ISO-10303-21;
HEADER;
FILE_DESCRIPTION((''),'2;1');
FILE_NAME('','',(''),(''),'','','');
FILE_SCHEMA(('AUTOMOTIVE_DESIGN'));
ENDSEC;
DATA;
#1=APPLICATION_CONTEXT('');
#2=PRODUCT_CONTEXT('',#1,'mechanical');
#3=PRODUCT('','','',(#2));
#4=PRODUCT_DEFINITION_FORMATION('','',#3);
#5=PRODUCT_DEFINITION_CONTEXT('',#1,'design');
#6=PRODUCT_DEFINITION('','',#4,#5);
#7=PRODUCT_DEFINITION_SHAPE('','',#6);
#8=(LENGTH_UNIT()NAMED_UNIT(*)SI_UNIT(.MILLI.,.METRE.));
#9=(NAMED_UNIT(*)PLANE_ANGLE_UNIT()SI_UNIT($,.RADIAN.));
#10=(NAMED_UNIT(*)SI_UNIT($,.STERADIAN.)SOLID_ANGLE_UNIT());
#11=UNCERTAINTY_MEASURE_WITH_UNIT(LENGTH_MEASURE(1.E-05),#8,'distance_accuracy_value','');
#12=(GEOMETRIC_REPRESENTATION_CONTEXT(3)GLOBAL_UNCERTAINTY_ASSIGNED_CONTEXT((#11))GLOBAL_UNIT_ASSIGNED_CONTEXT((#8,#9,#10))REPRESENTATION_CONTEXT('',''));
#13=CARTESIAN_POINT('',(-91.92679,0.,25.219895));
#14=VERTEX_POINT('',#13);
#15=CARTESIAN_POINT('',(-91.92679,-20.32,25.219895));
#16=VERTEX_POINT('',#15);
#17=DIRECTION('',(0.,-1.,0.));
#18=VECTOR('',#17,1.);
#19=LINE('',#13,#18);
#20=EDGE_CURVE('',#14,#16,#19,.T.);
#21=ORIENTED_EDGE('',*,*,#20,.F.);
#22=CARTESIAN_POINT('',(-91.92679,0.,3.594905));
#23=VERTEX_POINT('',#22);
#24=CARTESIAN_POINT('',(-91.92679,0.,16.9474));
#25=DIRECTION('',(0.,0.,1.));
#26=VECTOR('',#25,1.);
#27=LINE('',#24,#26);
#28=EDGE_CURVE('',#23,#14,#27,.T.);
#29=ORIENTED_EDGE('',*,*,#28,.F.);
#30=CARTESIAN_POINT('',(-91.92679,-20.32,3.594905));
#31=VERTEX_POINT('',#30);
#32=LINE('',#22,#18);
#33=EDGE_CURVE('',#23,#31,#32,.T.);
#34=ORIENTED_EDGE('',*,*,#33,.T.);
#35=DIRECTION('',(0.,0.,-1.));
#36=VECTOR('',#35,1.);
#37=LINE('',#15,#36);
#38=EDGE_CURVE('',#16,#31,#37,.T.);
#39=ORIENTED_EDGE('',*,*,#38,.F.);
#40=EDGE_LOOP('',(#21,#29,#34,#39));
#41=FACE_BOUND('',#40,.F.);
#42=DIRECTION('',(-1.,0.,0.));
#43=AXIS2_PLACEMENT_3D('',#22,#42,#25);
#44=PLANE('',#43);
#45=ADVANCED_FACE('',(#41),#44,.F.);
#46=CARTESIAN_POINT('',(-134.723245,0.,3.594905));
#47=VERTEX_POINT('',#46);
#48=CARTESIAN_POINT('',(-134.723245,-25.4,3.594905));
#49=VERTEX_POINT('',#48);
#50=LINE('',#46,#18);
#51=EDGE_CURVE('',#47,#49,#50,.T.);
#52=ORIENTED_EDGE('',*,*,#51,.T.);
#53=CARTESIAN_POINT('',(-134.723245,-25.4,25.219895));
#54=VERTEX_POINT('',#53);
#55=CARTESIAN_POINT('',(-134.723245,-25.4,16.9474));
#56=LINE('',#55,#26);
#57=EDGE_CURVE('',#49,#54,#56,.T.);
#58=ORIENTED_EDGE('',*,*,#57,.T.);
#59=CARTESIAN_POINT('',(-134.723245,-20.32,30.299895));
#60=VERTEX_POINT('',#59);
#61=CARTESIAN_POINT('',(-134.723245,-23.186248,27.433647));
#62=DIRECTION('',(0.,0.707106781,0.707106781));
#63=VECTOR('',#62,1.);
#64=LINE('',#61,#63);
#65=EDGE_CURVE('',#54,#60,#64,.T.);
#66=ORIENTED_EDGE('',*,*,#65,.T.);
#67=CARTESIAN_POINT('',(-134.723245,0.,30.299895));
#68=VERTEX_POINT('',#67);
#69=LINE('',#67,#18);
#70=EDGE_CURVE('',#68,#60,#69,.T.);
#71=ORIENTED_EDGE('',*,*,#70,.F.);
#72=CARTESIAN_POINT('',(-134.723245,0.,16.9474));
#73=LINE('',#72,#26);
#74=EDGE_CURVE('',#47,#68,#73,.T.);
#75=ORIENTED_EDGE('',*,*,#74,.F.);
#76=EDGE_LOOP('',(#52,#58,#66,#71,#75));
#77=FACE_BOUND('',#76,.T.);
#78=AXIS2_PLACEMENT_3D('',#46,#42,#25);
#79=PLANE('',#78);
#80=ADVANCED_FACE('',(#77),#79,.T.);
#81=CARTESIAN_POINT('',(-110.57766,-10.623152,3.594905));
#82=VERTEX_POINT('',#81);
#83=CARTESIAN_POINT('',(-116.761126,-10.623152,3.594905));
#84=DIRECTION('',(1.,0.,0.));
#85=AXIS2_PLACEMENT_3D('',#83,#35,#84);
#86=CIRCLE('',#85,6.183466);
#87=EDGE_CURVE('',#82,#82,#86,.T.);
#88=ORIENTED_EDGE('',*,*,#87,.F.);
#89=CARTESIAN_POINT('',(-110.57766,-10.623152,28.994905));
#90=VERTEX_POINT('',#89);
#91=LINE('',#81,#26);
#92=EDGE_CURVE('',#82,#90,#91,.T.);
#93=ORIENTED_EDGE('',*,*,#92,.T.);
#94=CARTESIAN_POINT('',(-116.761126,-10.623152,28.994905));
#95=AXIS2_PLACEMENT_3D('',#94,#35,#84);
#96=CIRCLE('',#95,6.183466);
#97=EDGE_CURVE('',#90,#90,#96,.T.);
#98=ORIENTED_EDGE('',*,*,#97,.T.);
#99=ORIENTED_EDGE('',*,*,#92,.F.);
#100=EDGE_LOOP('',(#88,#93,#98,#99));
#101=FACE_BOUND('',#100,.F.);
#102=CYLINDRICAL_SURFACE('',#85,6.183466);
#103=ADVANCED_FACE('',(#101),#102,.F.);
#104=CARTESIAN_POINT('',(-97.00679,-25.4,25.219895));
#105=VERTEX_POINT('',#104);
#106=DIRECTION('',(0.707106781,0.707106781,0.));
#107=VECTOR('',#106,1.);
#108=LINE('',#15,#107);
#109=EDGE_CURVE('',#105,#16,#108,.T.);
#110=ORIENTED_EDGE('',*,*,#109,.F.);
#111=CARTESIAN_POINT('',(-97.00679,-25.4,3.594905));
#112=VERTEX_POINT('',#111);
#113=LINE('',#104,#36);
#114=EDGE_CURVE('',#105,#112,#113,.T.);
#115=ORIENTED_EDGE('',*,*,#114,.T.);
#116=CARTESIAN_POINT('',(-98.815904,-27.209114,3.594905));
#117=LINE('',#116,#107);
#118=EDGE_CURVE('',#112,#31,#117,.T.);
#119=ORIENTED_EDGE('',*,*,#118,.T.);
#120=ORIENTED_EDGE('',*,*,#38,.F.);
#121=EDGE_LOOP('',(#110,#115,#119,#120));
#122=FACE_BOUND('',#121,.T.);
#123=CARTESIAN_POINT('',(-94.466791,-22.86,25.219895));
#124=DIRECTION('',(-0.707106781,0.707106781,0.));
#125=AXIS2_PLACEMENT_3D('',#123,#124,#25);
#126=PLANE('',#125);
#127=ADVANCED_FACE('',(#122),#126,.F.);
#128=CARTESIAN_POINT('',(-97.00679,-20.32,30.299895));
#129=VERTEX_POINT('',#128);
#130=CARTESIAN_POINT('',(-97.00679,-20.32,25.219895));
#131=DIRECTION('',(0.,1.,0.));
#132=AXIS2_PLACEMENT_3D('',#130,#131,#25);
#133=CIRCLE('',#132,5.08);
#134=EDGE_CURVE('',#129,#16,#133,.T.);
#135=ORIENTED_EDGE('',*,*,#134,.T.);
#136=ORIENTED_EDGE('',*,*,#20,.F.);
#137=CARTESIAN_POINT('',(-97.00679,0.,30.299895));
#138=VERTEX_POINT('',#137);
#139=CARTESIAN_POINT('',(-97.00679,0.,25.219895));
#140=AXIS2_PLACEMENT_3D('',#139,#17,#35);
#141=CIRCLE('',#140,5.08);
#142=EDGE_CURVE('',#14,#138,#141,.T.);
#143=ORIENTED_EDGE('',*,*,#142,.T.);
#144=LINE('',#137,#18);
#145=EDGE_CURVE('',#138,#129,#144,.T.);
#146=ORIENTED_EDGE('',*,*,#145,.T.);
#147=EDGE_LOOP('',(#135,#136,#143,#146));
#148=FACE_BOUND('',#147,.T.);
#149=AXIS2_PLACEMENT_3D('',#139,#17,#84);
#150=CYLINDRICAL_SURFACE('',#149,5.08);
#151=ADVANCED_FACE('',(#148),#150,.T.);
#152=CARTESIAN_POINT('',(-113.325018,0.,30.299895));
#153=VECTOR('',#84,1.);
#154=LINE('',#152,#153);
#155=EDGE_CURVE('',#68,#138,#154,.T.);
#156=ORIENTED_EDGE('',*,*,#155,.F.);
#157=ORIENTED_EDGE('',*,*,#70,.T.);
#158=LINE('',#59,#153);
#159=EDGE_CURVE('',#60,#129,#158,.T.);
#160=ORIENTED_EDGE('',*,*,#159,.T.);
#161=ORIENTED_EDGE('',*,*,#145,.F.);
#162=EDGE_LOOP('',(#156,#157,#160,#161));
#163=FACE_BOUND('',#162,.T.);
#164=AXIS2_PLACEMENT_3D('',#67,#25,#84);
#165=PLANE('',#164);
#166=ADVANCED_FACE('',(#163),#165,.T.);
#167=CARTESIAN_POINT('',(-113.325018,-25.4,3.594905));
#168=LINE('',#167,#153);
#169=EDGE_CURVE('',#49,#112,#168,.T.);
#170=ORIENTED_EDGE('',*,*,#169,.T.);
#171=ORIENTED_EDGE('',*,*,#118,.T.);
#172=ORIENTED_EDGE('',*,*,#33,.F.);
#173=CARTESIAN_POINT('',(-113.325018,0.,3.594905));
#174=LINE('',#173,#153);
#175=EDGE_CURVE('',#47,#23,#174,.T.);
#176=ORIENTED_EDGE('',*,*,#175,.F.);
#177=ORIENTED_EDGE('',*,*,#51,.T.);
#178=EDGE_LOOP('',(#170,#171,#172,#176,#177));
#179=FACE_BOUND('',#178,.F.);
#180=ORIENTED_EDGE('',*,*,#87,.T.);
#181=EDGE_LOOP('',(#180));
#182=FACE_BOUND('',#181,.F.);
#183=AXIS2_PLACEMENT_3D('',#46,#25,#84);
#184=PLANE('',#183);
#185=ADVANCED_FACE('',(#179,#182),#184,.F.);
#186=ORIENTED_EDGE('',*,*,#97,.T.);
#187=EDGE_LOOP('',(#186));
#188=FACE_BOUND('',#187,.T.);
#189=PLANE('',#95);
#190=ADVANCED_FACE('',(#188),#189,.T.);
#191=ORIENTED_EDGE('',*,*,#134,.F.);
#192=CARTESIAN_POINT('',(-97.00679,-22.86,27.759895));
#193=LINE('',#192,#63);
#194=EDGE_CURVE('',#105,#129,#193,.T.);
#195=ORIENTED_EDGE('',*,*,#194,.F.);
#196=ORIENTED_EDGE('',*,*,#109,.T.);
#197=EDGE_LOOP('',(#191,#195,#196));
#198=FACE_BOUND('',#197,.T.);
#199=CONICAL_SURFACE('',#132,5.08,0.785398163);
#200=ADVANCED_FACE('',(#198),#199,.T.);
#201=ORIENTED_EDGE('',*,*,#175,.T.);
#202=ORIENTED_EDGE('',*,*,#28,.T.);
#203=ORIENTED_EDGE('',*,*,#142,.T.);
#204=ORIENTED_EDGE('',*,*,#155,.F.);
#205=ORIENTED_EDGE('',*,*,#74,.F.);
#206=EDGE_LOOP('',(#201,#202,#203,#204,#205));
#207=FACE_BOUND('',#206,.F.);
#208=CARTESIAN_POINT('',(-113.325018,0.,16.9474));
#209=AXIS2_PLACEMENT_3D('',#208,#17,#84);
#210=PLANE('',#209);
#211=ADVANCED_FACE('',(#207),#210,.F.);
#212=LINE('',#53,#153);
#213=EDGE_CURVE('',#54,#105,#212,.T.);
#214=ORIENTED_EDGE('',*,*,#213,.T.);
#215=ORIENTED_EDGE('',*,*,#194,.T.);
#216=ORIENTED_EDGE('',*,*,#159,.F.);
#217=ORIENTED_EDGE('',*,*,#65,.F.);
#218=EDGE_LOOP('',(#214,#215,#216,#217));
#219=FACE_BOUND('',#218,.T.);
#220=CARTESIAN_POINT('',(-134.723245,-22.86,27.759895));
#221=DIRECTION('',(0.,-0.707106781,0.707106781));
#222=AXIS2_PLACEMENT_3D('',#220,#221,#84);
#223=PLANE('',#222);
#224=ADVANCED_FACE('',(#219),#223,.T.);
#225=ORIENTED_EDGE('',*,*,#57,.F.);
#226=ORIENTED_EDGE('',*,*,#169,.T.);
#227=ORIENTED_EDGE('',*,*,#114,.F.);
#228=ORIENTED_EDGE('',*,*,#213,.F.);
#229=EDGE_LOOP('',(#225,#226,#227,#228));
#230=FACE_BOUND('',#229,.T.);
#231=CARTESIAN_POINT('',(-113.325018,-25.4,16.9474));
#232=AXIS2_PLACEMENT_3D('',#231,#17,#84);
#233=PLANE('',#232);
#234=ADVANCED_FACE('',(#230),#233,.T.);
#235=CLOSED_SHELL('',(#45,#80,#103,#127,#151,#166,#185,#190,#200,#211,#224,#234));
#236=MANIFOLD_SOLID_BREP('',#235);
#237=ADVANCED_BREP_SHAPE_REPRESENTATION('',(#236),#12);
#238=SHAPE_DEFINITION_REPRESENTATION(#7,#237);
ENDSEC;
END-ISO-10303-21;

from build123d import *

# Parameters (mm, degrees)
F0_W     = 42.796455
F0_H     = 26.70499
F1_DEPTH = 25.4
F2_R     = 5.08
F3_SIZE  = 5.08
F4_R     = 6.183466
F5_DEPTH = 25.4


with BuildPart() as f1:
    # F0 (on Front) → F1 (new body)
    with BuildSketch(Plane.XZ):
        with Locations((-113.325018, 16.9474)):
            Rectangle(F0_W, F0_H)
    extrude(amount=F1_DEPTH)

    # F2
    f2_edges = [f1.edges().sort_by_distance(p)[0] for p in [
        (-91.926791, -12.7, 30.299895),
    ]]
    fillet(f2_edges, radius=F2_R)

    # F3
    f3_edges = [f1.edges().sort_by_distance(p)[0] for p in [
        (-115.865018, -25.4, 30.299895),
    ]]
    chamfer(f3_edges, length=F3_SIZE)

    # F4 (on face) → F5 (cut)
    with BuildSketch(Plane(origin=(0, 0, 3.594905), x_dir=(1, 0, 0), z_dir=(0, 0, -1))):
        with Locations((-116.761126, 10.623152)):
            Circle(F4_R)
    extrude(amount=-F5_DEPTH, mode=Mode.SUBTRACT)


solid = f1.part
